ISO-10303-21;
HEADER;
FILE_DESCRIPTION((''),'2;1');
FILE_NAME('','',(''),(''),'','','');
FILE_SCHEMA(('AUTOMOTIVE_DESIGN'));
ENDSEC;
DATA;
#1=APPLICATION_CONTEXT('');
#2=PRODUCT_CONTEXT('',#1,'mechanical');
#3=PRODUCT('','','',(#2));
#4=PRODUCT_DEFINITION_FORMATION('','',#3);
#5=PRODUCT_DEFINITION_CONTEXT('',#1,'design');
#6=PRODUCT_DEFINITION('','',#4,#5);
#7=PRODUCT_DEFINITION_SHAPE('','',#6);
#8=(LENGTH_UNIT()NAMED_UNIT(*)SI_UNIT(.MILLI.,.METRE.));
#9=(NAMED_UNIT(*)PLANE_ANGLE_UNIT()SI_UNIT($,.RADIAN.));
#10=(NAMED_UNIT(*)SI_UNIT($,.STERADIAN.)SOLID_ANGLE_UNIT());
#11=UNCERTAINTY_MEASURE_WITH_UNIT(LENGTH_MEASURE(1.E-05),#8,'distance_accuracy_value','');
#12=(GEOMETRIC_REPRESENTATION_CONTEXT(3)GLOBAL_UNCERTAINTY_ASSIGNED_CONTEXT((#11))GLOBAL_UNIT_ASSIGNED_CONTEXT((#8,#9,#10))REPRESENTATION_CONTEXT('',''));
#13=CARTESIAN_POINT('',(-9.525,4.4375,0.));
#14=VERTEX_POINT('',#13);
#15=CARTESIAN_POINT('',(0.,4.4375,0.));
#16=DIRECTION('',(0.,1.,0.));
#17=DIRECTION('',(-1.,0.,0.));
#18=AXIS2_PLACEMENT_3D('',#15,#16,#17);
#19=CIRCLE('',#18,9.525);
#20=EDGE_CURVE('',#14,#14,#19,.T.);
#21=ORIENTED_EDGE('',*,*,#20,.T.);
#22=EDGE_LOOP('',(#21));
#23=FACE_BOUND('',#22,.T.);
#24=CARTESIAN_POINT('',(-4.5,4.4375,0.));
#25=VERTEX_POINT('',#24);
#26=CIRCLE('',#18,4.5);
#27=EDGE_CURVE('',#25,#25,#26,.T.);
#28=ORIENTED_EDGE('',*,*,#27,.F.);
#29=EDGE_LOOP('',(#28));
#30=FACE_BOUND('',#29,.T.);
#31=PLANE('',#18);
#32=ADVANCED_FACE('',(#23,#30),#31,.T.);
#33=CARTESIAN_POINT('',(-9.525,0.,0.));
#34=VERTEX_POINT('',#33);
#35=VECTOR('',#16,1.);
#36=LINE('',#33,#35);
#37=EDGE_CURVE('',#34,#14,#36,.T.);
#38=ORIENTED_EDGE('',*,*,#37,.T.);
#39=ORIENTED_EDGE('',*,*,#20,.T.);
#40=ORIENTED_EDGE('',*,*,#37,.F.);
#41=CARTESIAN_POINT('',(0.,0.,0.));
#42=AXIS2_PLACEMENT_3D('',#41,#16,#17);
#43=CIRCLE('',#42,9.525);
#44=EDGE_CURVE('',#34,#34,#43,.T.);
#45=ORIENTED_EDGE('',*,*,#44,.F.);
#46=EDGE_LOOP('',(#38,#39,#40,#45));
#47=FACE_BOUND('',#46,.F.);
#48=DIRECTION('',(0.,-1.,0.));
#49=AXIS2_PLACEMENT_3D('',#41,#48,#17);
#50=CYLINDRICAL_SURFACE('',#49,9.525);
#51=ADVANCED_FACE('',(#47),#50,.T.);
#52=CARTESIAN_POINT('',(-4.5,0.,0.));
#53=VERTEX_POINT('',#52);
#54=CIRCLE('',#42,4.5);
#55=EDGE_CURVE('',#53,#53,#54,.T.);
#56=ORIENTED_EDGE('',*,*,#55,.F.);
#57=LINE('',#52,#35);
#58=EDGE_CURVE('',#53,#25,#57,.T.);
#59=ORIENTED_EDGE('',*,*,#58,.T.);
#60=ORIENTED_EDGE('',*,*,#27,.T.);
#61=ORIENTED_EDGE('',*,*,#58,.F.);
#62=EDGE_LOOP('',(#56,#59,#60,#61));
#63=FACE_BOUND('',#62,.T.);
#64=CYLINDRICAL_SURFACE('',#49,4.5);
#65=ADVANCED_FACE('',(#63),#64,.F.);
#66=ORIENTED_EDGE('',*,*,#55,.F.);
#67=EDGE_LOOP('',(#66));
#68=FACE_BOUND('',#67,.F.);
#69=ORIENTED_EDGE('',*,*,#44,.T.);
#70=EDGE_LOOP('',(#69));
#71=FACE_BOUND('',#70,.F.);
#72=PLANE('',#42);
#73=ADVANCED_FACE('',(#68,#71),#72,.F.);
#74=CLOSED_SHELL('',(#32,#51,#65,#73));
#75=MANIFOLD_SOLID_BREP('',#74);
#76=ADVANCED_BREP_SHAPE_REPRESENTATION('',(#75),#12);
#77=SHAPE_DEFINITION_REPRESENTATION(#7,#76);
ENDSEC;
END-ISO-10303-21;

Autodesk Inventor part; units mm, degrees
ref_plane "YZ Plane" through (0, 0, 0) normal (1, 0, 0) x (0, 1, 0)
ref_plane "XZ Plane" through (0, 0, 0) normal (0, 1, 0) x (-1, 0, 0)
ref_plane "XY Plane" through (0, 0, 0) normal (0, 0, 1) x (1, 0, 0)
sketch "Sketch1" plane through (0, 0, 0) normal (0, 1, 0) x (-1, 0, 0)
  circle A0 centre (0, 0) radius 4.5
  circle A1 centre (0, 0) radius 9.525
  dimension "d0" = 9
  dimension "d1" = 19.05
extrude "Extrusion1" add sketch "Sketch1" along normal blind 4.4375
properties part number "CORL_008_MicroSpacer" material "Acetal Resin, Black"
